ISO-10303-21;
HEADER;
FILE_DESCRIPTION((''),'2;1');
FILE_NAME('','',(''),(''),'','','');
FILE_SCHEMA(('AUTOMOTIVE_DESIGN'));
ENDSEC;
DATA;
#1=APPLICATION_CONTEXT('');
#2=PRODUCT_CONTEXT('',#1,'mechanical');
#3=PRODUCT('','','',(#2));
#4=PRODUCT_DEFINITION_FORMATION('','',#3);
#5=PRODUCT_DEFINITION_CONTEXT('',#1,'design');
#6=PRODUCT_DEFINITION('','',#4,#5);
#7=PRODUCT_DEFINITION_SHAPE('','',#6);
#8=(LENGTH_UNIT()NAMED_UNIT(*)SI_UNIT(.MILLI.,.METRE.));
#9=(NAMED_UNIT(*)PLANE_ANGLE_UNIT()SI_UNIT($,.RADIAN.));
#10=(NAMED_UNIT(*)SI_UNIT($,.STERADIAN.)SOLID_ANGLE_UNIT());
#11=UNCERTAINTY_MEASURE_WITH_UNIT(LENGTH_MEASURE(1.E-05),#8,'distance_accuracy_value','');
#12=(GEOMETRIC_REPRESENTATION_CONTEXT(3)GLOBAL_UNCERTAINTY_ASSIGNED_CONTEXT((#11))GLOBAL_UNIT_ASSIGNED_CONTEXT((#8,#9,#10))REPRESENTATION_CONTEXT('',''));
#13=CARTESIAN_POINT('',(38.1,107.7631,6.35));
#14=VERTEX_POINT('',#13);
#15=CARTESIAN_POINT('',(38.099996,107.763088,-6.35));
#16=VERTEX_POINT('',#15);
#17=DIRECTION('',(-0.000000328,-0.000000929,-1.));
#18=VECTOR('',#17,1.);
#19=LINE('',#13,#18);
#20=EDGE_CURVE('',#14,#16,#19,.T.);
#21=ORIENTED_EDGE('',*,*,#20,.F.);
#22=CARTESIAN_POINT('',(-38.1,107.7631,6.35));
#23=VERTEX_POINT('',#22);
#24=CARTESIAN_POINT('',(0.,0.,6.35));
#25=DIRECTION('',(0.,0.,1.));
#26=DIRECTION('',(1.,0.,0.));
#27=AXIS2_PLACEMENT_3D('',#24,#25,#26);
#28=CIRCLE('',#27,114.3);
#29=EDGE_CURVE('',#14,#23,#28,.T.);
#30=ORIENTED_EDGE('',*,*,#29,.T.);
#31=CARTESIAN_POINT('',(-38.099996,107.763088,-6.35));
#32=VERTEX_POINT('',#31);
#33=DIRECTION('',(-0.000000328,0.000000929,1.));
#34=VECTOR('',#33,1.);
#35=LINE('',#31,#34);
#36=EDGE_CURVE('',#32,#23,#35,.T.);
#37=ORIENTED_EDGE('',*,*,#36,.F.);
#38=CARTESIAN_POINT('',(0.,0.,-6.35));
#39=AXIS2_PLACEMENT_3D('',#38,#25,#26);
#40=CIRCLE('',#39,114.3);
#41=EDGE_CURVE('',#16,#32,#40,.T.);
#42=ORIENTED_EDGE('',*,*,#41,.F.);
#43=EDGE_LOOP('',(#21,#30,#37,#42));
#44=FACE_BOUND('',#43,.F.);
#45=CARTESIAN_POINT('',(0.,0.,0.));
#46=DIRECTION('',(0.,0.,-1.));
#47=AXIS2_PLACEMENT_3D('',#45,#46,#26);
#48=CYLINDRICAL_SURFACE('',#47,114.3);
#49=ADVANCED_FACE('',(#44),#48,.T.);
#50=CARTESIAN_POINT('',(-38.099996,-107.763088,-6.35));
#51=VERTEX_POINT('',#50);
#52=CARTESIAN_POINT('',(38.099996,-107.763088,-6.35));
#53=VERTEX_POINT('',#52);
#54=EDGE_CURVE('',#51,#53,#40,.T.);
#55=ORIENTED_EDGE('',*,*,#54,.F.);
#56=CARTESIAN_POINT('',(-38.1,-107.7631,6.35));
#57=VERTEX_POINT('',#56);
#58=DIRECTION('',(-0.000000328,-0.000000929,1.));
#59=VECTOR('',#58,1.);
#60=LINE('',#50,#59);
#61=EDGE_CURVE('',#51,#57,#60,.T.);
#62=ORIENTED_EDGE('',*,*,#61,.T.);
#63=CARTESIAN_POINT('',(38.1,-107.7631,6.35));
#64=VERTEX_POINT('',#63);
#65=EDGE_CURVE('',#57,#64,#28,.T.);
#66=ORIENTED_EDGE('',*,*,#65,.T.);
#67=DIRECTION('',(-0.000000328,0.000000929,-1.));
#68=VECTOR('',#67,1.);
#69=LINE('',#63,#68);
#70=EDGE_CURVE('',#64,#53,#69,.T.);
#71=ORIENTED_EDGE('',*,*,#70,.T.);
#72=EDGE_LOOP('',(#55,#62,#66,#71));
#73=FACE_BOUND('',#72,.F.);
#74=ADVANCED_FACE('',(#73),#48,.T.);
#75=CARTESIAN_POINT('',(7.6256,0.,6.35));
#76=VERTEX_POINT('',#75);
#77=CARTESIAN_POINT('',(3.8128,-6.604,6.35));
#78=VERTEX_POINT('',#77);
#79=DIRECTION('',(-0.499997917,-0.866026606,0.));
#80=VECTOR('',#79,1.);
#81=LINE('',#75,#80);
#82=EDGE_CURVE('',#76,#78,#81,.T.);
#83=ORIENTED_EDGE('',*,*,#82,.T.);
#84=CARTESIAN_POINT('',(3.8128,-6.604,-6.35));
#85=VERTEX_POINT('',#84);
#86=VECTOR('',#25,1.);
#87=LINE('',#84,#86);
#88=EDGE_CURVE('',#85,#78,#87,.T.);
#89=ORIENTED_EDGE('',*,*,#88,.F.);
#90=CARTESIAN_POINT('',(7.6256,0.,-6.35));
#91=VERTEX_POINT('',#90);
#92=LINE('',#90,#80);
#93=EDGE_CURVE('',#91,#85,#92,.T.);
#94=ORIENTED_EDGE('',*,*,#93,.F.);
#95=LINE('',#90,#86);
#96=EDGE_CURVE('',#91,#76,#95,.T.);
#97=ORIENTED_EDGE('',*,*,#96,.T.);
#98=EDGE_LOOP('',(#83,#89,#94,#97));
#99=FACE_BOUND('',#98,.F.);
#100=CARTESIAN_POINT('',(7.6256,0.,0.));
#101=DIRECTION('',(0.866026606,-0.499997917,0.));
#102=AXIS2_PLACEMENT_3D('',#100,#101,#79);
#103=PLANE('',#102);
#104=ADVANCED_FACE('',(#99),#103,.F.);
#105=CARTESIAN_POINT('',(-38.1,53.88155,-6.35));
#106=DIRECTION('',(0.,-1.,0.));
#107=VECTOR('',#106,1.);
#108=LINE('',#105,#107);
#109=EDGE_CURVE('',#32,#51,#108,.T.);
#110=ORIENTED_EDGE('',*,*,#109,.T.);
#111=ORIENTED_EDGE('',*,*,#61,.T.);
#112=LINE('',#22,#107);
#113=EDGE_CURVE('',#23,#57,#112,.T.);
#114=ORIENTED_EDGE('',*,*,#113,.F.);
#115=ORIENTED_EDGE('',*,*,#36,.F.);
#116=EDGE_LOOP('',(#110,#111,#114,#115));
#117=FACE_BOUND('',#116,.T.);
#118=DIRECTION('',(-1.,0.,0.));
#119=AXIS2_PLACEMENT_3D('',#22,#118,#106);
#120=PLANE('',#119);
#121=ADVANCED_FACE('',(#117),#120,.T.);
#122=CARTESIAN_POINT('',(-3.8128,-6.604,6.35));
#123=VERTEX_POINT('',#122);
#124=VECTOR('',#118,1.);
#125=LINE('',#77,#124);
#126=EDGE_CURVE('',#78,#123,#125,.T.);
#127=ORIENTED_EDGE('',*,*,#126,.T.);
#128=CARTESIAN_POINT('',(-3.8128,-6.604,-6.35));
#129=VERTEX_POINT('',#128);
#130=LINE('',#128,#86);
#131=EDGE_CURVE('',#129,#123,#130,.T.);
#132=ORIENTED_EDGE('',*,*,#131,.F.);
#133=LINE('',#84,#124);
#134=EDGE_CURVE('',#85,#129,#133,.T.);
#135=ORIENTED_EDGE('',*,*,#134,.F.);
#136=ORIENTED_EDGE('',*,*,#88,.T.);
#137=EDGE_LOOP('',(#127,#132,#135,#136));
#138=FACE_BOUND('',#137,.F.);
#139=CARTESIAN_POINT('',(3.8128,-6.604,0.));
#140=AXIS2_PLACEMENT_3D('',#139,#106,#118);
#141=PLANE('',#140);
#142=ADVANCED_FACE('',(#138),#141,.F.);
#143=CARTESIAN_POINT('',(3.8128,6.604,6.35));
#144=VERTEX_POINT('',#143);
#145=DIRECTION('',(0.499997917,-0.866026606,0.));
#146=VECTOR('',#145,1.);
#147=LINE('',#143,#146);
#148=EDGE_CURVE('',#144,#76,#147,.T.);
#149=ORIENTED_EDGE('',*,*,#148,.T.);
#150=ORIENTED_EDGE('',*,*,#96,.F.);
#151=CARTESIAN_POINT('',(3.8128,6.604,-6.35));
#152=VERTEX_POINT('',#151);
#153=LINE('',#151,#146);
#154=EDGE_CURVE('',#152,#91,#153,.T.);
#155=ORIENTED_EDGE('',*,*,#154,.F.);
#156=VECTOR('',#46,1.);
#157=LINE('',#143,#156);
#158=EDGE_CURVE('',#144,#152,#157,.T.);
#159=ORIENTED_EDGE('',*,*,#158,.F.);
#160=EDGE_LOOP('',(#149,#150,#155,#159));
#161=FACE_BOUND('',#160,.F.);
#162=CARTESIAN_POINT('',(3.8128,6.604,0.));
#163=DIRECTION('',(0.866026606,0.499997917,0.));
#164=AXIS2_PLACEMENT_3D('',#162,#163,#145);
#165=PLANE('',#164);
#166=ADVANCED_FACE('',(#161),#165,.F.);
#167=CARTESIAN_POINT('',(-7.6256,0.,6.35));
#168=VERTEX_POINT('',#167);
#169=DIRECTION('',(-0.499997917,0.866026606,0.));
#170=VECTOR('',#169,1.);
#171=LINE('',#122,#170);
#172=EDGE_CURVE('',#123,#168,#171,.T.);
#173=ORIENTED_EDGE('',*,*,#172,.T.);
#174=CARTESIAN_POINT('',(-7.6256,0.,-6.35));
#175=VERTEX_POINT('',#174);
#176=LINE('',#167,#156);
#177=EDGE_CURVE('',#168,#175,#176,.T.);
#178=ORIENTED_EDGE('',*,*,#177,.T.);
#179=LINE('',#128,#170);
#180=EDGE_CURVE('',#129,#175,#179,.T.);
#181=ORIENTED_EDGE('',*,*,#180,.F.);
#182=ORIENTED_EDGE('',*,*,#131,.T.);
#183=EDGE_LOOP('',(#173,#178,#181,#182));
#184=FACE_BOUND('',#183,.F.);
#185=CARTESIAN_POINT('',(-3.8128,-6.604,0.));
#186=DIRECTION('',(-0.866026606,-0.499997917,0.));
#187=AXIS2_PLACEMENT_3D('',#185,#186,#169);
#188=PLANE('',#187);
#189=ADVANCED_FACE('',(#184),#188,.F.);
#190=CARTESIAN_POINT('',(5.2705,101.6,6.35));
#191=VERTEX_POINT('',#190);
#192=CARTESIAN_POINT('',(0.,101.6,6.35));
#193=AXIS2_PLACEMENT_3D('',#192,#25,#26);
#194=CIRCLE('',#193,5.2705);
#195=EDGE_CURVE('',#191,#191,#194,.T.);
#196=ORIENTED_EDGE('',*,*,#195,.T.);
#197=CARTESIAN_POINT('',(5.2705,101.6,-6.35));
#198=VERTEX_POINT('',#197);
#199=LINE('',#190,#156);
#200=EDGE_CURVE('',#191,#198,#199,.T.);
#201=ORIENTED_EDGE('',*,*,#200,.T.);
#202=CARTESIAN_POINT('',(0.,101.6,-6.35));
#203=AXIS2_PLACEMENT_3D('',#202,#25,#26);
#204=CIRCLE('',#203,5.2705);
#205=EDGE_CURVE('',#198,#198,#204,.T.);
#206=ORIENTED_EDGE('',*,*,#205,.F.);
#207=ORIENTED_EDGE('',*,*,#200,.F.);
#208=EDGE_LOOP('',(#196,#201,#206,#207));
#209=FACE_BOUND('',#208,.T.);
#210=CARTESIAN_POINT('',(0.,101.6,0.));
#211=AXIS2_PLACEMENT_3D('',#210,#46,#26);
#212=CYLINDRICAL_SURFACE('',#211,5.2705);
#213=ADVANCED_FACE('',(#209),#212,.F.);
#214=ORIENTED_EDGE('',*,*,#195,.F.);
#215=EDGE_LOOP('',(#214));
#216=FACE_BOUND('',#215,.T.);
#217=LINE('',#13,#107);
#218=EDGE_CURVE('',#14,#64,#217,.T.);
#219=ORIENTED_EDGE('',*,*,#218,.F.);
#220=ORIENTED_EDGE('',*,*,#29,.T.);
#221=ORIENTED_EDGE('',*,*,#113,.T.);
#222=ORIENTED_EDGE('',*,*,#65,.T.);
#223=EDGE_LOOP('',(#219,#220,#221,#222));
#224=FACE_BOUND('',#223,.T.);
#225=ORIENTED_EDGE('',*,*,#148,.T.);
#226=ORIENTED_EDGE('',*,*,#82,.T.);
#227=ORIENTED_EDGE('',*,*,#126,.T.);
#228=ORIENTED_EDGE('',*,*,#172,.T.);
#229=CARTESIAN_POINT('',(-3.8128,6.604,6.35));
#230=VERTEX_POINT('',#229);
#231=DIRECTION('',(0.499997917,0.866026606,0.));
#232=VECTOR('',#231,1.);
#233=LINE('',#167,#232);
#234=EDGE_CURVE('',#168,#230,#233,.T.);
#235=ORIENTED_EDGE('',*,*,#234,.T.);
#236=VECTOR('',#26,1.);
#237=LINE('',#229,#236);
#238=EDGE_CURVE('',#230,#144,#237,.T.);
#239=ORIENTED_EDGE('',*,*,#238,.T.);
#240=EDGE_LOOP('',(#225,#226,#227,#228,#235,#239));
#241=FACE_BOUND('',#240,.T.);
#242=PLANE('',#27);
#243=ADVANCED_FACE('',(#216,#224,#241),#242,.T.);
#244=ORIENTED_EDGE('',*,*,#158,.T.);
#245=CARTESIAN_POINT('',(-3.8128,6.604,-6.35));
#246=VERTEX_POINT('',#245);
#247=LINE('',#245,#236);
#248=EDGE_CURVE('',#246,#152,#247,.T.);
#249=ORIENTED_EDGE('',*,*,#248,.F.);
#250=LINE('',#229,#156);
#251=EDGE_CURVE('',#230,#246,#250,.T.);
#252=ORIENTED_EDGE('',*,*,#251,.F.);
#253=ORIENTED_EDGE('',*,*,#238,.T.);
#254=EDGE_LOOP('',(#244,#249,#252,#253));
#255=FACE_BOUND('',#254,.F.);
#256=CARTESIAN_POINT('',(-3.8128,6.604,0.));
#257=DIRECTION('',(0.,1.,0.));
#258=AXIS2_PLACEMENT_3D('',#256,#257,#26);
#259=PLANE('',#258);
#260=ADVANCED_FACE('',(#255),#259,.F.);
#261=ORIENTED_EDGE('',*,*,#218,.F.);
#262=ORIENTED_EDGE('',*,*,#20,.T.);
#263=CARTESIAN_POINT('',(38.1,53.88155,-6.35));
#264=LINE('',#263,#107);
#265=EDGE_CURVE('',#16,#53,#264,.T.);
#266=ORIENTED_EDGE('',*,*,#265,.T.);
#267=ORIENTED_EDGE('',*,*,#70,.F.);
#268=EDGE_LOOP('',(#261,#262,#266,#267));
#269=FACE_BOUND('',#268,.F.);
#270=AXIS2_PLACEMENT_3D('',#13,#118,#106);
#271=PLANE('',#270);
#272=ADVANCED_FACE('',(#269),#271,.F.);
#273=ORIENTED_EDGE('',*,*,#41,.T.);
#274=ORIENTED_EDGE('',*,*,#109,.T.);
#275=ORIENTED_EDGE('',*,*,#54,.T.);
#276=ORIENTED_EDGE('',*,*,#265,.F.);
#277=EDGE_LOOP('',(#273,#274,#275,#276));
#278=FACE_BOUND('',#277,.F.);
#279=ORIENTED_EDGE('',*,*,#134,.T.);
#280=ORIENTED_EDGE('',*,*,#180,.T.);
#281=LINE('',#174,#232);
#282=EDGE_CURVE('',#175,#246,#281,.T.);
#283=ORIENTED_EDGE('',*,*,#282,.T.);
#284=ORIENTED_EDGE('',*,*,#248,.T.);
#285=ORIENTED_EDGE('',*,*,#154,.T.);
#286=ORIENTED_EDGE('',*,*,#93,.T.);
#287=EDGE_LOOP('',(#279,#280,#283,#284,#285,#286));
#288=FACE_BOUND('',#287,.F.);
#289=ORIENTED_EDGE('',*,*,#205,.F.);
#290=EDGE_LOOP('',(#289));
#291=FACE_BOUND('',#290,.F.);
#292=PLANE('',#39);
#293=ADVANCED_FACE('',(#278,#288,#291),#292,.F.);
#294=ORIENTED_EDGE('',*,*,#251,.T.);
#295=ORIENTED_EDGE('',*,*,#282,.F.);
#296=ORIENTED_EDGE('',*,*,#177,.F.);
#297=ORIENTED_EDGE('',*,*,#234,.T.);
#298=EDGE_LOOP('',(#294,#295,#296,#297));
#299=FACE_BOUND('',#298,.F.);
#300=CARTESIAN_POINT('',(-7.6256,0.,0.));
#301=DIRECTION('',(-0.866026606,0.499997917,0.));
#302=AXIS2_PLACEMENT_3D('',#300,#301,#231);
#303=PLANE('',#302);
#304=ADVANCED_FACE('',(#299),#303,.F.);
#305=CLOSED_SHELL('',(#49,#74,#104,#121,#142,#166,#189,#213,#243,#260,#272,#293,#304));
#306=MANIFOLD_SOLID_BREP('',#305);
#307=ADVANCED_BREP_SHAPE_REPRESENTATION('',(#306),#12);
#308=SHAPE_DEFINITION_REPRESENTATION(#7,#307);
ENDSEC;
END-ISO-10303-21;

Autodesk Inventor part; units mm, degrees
ref_plane "YZ Plane" through (0, 0, 0) normal (1, 0, 0) x (0, 1, 0)
ref_plane "XZ Plane" through (0, 0, 0) normal (0, 1, 0) x (-1, 0, 0)
ref_plane "XY Plane" through (0, 0, 0) normal (0, 0, 1) x (1, 0, 0)
sketch "Sketch1" plane through (0, 0, 0) normal (0, 0, 1) x (1, 0, 0)
  circle A0 centre (0, 0) radius 114.3
  line L0 (7.6256, 0) -> (3.8128, -6.604)
  line L1 (3.8128, -6.604) -> (-3.8128, -6.604)
  line L2 (-3.8128, -6.604) -> (-7.6256, 0)
  line L3 (-7.6256, 0) -> (-3.8128, 6.604)
  line L4 (-3.8128, 6.604) -> (3.8128, 6.604)
  line L5 (3.8128, 6.604) -> (7.6256, 0)
  circle A1 centre (0, 101.6) radius 5.2705
  dimension "d0" = 228.6
  dimension "d1" = 13.208
  dimension "d2" = 10.541
  dimension "d5" = 101.6
extrude "Extrusion1" add sketch "Sketch1" along normal mid plane 12.7
sketch "Sketch4" plane through (0, 0, 6.35) normal (0, 0, 1) x (1, 0, 0)
  circle A0 centre (0, 0) radius 114.3 projected
  line L0 (-38.1, 107.7631) -> (-38.1, -107.7631)
  line L1 (38.1, 107.7631) -> (38.1, -107.7631)
  arc A1 (-38.1, 107.7631) -> (-38.1, -107.7631) centre (0, 0) ccw
  arc A2 (38.1, -107.7631) -> (38.1, 107.7631) centre (0, 0) ccw
  dimension "d18" = 38.1
  dimension "d19" = 38.1
extrude "Extrusion4" cut sketch "Sketch4" against normal through all contours A0 L1 | L0 A0
sketch "Sketch2" plane through (0, 0, 6.35) normal (0, 0, 1) x (1, 0, 0)
  circle A0 centre (-63.5, 0) radius 25.4
  circle A1 centre (-31.75, -54.9926) radius 25.4
  circle A2 centre (31.75, -54.9926) radius 25.4
  circle A3 centre (63.5, 0) radius 25.4
  circle A4 centre (31.75, 54.9926) radius 25.4
  circle A5 centre (-31.75, 54.9926) radius 25.4
  point P0 (0, 0)
  dimension "d6" = 50.8
  dimension "d7" = 63.5
  dimension "d10" = 360
properties part number "driveForPiston-8-in"
